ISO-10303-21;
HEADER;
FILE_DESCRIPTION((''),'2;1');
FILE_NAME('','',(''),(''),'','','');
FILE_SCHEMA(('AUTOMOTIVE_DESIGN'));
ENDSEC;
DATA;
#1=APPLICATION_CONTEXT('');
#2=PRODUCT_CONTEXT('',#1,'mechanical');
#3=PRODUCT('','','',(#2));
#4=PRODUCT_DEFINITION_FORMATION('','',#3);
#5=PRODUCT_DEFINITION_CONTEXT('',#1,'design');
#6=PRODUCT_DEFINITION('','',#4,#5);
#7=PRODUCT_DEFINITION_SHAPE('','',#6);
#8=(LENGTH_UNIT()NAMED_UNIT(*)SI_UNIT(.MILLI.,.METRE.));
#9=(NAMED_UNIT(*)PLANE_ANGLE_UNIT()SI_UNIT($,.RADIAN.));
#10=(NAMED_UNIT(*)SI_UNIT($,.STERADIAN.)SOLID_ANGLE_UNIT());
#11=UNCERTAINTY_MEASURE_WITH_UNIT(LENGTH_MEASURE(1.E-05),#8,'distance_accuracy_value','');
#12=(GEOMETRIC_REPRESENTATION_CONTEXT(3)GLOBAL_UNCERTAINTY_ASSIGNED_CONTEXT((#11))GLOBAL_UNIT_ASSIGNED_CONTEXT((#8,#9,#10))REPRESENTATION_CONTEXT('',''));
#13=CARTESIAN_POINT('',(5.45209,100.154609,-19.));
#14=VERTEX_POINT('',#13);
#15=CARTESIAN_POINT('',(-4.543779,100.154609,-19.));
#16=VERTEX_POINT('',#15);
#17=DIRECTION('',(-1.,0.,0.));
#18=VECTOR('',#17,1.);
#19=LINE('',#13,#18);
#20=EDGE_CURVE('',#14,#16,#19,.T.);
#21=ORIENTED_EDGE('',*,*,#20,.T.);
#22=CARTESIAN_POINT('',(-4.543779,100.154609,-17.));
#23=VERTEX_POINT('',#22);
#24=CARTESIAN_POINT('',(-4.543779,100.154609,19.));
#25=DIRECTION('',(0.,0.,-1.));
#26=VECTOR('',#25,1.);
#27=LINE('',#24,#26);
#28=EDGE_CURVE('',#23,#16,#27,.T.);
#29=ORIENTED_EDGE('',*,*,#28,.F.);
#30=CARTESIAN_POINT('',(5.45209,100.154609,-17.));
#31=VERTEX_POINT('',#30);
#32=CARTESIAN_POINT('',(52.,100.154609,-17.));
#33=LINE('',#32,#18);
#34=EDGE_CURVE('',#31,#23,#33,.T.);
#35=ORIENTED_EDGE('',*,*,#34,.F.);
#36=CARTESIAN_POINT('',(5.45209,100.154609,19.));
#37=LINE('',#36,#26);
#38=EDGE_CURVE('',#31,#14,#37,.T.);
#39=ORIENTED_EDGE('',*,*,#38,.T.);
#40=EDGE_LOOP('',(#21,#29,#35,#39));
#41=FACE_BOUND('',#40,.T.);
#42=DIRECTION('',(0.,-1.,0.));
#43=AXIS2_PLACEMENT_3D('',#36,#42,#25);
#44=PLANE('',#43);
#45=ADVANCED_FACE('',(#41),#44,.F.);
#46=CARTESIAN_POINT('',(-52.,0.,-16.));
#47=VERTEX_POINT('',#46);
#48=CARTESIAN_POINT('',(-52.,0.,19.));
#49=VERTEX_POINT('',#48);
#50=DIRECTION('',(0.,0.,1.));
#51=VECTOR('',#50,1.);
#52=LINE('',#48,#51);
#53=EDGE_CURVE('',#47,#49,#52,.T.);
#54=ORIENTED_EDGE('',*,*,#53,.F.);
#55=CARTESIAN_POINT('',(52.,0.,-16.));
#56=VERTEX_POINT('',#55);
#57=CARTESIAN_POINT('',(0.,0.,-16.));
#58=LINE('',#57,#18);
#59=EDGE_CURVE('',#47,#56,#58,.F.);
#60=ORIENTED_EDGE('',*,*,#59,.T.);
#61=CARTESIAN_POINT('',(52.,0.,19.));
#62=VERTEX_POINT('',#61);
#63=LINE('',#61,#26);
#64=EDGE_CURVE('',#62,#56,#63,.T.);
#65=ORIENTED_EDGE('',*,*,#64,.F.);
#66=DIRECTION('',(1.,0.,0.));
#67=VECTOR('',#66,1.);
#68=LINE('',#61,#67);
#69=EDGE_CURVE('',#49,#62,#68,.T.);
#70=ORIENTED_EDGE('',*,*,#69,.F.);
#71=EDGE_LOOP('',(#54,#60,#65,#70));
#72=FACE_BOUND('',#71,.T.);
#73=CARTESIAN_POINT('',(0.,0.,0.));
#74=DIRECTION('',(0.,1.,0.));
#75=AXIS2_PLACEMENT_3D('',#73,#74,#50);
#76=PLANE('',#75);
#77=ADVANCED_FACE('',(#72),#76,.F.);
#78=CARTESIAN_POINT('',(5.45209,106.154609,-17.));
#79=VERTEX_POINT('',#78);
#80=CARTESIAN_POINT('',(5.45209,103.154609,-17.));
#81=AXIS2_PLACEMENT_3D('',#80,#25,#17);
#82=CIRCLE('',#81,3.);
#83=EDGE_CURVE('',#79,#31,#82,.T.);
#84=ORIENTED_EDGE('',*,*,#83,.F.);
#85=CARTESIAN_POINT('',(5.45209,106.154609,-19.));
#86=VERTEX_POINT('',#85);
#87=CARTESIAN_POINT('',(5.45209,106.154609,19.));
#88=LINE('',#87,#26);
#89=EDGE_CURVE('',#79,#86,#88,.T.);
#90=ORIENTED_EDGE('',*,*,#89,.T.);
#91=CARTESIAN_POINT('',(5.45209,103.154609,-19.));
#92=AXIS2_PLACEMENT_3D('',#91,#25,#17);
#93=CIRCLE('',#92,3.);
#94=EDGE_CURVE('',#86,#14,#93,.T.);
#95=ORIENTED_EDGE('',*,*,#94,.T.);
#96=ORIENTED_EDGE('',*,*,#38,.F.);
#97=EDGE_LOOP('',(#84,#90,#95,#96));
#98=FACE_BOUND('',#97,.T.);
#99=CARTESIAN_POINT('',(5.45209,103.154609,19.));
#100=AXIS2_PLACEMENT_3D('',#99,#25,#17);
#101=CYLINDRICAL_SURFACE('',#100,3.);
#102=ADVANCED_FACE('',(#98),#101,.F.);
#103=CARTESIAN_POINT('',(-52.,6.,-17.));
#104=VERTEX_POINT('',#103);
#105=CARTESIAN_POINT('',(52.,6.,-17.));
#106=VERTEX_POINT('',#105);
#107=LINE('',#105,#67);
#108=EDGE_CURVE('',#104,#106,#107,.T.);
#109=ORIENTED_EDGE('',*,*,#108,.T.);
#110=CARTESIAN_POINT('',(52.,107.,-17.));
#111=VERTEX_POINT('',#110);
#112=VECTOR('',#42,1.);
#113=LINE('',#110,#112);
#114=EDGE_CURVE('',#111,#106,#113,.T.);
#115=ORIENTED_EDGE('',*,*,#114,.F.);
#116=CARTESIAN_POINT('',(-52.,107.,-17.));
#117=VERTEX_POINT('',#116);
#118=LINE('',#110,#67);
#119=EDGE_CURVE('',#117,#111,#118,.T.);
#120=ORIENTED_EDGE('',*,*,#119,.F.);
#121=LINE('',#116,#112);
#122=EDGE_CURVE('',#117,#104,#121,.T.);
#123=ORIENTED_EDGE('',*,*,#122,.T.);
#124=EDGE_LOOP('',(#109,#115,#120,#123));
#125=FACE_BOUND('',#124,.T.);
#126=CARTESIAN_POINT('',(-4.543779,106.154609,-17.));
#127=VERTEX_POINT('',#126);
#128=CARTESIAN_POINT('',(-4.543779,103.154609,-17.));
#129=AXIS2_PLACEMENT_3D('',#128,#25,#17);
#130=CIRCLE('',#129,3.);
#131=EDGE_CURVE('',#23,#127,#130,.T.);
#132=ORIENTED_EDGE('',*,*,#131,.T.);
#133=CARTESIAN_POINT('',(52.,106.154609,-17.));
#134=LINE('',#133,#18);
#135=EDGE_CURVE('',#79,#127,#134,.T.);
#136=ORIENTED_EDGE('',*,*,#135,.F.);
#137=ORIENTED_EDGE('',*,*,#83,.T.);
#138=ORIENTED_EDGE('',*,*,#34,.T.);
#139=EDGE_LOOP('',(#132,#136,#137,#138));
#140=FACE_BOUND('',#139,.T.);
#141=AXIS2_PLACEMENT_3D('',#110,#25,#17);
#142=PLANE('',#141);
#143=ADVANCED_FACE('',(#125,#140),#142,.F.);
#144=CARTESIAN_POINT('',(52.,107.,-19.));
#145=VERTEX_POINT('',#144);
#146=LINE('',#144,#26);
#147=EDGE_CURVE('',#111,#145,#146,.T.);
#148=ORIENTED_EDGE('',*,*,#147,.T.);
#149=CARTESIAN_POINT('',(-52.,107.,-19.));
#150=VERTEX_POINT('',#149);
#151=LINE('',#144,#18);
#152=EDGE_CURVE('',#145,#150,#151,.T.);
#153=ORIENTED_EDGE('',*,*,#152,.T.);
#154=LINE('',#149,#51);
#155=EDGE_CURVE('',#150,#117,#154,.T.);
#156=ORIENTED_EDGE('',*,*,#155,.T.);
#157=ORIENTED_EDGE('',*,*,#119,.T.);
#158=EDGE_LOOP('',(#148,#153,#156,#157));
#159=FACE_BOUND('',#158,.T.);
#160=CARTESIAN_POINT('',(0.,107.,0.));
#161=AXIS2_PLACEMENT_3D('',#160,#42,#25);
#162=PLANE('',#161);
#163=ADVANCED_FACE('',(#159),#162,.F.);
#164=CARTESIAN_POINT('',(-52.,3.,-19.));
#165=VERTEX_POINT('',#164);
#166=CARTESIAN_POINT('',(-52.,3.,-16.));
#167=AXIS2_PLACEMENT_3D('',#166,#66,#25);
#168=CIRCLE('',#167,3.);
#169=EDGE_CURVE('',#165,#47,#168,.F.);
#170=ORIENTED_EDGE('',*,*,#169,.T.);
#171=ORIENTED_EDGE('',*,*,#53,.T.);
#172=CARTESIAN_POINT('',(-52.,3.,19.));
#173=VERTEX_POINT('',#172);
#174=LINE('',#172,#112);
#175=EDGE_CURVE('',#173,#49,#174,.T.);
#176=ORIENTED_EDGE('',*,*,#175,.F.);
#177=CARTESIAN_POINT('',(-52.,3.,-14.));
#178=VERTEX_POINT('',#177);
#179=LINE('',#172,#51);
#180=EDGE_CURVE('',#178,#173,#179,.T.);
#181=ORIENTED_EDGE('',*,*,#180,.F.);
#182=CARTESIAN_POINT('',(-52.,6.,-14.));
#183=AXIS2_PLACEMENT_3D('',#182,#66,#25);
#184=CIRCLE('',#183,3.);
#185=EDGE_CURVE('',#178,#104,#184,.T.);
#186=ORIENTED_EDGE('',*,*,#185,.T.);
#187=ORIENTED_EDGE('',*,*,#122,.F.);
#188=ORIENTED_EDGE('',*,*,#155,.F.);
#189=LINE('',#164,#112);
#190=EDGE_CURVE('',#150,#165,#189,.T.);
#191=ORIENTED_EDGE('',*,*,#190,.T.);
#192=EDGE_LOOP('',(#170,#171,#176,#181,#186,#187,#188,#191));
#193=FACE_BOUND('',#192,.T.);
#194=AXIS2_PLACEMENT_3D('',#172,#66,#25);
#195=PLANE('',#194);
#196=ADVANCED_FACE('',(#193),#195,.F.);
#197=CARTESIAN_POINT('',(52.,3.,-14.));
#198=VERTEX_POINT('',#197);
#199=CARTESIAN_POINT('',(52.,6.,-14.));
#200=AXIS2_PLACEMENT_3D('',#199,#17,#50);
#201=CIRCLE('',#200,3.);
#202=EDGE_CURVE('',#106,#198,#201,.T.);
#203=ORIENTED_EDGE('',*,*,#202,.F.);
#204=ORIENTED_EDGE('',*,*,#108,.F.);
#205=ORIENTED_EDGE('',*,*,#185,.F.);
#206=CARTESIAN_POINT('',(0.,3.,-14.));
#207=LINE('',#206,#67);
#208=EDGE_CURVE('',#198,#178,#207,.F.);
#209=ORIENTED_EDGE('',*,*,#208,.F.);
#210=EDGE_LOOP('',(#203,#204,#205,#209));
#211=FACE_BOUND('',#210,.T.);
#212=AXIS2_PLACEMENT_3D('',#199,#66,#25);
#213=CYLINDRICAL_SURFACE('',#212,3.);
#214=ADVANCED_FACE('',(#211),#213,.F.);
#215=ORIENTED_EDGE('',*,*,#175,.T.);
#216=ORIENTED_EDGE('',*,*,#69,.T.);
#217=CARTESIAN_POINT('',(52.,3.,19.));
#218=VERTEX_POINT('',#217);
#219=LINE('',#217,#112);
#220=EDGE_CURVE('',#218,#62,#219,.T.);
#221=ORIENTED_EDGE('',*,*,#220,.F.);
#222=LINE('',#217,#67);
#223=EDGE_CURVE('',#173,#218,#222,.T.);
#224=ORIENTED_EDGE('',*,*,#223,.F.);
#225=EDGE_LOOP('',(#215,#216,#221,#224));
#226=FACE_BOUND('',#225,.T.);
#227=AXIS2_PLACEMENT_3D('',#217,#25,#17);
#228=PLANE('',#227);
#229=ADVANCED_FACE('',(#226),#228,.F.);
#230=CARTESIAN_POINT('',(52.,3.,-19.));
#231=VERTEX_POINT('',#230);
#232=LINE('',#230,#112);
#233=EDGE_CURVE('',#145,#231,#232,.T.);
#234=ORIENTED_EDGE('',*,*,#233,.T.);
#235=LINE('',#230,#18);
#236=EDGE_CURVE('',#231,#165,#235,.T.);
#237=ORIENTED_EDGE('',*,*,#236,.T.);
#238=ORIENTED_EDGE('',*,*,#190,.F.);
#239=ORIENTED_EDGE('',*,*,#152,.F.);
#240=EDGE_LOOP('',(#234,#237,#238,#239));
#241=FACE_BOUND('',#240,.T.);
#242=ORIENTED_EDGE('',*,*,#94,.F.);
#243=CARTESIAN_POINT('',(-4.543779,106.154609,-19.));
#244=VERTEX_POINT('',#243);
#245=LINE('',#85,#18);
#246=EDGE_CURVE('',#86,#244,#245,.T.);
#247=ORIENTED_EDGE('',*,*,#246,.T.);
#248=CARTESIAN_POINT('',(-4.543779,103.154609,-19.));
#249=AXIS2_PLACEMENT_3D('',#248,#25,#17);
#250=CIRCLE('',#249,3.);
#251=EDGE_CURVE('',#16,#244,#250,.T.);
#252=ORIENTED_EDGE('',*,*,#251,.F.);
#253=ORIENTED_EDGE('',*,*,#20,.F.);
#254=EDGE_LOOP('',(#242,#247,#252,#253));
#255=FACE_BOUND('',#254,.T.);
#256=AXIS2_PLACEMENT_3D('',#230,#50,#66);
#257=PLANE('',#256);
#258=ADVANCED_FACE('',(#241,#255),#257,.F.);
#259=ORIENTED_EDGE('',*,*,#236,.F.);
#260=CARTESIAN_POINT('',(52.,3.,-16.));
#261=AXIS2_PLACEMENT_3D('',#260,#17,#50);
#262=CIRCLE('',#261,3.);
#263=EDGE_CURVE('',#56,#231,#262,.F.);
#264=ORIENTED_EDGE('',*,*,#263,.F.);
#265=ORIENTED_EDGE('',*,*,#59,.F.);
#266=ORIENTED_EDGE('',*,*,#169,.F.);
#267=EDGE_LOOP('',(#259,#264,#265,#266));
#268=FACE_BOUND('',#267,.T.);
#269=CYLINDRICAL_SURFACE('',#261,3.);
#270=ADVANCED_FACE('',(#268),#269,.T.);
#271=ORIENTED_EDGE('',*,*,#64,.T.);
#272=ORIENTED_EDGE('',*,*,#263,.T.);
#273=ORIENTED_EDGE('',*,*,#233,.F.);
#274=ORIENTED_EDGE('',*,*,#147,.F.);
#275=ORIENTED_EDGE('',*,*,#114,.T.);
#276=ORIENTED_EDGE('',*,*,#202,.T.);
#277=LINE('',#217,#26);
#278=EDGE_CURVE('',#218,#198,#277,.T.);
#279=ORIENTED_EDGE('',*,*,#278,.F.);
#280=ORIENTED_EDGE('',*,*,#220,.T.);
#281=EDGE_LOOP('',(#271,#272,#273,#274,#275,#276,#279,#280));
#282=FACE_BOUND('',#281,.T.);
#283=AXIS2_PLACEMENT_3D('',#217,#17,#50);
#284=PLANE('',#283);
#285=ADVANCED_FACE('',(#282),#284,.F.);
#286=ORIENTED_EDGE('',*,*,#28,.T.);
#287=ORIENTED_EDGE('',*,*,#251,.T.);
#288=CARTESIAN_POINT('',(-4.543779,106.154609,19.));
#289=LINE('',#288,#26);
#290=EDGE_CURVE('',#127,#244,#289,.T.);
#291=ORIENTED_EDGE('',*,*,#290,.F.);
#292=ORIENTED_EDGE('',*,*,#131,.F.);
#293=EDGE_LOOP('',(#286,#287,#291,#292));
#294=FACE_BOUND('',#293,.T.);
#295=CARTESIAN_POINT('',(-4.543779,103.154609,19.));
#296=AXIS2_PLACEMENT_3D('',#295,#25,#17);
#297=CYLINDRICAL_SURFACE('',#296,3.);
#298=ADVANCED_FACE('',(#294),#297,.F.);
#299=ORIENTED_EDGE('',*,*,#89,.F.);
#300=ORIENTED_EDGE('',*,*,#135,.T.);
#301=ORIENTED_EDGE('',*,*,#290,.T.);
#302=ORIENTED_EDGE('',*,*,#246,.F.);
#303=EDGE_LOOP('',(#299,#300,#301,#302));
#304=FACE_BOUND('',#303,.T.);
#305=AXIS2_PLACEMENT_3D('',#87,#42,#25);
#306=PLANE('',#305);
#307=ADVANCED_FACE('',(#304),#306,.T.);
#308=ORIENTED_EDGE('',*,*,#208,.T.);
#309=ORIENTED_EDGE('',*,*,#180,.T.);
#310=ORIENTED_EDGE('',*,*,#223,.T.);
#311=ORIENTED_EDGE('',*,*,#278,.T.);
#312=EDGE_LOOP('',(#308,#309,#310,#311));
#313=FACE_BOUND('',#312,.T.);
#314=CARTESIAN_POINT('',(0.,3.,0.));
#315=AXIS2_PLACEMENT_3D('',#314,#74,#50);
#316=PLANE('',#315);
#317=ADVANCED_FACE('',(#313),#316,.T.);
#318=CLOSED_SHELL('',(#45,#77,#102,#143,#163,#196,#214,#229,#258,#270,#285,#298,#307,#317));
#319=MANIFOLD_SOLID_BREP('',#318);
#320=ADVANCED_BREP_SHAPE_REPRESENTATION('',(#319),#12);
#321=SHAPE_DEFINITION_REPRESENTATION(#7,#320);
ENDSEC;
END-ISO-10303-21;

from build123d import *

# Parameters (mm, degrees)
SKETCH_1_W          = 104
SKETCH_1_H          = 38
EXTRUDE_1_DEPTH     = 3
SKETCH_2_W          = 104
SKETCH_2_H          = 2
EXTRUDE_3_DEPTH     = 104
FILLET_1_R          = 3
CUT_EXTRUDE_1_DEPTH = 125.887949779


with BuildPart() as part:
    # 草图1 → 凸台-拉伸1 (new body)
    with BuildSketch(Plane(origin=(0, 0, 0), x_dir=(1, 0, 0), z_dir=(0, 1, 0))):
        Rectangle(SKETCH_1_W, SKETCH_1_H)
    extrude(amount=EXTRUDE_1_DEPTH)

    # 草图2 → 凸台-拉伸3 (add)
    with BuildSketch(Plane(origin=(0, 3, 0), x_dir=(1, 0, 0), z_dir=(0, 1, 0))):
        with Locations((0, 18)):
            Rectangle(SKETCH_2_W, SKETCH_2_H)
    extrude(amount=EXTRUDE_3_DEPTH)

    # 圆角1
    fillet_1_edges = [part.edges().sort_by_distance(p)[0] for p in [
        (0, 3, -17),
        (0, 0, -19),
    ]]
    fillet(fillet_1_edges, radius=FILLET_1_R)

    # 草图4 → 切除-拉伸1 (cut, through all)
    with BuildSketch(Plane(origin=(0, 0, -19), x_dir=(-1, 0, 0), z_dir=(0, 0, -1))):
        with BuildLine():
            Line((-5.452089617, 106.154609435), (4.543778851, 106.154609435))
            ThreePointArc((4.543778851, 106.154609435), (7.543778851, 103.154609435), (4.543778851, 100.154609435))
            Line((4.543778851, 100.154609435), (-5.452089617, 100.154609435))
            ThreePointArc((-5.452089617, 100.154609435), (-8.452089617, 103.154609435), (-5.452089617, 106.154609435))
        make_face()
    extrude(amount=-CUT_EXTRUDE_1_DEPTH, mode=Mode.SUBTRACT)


solid = part.part
